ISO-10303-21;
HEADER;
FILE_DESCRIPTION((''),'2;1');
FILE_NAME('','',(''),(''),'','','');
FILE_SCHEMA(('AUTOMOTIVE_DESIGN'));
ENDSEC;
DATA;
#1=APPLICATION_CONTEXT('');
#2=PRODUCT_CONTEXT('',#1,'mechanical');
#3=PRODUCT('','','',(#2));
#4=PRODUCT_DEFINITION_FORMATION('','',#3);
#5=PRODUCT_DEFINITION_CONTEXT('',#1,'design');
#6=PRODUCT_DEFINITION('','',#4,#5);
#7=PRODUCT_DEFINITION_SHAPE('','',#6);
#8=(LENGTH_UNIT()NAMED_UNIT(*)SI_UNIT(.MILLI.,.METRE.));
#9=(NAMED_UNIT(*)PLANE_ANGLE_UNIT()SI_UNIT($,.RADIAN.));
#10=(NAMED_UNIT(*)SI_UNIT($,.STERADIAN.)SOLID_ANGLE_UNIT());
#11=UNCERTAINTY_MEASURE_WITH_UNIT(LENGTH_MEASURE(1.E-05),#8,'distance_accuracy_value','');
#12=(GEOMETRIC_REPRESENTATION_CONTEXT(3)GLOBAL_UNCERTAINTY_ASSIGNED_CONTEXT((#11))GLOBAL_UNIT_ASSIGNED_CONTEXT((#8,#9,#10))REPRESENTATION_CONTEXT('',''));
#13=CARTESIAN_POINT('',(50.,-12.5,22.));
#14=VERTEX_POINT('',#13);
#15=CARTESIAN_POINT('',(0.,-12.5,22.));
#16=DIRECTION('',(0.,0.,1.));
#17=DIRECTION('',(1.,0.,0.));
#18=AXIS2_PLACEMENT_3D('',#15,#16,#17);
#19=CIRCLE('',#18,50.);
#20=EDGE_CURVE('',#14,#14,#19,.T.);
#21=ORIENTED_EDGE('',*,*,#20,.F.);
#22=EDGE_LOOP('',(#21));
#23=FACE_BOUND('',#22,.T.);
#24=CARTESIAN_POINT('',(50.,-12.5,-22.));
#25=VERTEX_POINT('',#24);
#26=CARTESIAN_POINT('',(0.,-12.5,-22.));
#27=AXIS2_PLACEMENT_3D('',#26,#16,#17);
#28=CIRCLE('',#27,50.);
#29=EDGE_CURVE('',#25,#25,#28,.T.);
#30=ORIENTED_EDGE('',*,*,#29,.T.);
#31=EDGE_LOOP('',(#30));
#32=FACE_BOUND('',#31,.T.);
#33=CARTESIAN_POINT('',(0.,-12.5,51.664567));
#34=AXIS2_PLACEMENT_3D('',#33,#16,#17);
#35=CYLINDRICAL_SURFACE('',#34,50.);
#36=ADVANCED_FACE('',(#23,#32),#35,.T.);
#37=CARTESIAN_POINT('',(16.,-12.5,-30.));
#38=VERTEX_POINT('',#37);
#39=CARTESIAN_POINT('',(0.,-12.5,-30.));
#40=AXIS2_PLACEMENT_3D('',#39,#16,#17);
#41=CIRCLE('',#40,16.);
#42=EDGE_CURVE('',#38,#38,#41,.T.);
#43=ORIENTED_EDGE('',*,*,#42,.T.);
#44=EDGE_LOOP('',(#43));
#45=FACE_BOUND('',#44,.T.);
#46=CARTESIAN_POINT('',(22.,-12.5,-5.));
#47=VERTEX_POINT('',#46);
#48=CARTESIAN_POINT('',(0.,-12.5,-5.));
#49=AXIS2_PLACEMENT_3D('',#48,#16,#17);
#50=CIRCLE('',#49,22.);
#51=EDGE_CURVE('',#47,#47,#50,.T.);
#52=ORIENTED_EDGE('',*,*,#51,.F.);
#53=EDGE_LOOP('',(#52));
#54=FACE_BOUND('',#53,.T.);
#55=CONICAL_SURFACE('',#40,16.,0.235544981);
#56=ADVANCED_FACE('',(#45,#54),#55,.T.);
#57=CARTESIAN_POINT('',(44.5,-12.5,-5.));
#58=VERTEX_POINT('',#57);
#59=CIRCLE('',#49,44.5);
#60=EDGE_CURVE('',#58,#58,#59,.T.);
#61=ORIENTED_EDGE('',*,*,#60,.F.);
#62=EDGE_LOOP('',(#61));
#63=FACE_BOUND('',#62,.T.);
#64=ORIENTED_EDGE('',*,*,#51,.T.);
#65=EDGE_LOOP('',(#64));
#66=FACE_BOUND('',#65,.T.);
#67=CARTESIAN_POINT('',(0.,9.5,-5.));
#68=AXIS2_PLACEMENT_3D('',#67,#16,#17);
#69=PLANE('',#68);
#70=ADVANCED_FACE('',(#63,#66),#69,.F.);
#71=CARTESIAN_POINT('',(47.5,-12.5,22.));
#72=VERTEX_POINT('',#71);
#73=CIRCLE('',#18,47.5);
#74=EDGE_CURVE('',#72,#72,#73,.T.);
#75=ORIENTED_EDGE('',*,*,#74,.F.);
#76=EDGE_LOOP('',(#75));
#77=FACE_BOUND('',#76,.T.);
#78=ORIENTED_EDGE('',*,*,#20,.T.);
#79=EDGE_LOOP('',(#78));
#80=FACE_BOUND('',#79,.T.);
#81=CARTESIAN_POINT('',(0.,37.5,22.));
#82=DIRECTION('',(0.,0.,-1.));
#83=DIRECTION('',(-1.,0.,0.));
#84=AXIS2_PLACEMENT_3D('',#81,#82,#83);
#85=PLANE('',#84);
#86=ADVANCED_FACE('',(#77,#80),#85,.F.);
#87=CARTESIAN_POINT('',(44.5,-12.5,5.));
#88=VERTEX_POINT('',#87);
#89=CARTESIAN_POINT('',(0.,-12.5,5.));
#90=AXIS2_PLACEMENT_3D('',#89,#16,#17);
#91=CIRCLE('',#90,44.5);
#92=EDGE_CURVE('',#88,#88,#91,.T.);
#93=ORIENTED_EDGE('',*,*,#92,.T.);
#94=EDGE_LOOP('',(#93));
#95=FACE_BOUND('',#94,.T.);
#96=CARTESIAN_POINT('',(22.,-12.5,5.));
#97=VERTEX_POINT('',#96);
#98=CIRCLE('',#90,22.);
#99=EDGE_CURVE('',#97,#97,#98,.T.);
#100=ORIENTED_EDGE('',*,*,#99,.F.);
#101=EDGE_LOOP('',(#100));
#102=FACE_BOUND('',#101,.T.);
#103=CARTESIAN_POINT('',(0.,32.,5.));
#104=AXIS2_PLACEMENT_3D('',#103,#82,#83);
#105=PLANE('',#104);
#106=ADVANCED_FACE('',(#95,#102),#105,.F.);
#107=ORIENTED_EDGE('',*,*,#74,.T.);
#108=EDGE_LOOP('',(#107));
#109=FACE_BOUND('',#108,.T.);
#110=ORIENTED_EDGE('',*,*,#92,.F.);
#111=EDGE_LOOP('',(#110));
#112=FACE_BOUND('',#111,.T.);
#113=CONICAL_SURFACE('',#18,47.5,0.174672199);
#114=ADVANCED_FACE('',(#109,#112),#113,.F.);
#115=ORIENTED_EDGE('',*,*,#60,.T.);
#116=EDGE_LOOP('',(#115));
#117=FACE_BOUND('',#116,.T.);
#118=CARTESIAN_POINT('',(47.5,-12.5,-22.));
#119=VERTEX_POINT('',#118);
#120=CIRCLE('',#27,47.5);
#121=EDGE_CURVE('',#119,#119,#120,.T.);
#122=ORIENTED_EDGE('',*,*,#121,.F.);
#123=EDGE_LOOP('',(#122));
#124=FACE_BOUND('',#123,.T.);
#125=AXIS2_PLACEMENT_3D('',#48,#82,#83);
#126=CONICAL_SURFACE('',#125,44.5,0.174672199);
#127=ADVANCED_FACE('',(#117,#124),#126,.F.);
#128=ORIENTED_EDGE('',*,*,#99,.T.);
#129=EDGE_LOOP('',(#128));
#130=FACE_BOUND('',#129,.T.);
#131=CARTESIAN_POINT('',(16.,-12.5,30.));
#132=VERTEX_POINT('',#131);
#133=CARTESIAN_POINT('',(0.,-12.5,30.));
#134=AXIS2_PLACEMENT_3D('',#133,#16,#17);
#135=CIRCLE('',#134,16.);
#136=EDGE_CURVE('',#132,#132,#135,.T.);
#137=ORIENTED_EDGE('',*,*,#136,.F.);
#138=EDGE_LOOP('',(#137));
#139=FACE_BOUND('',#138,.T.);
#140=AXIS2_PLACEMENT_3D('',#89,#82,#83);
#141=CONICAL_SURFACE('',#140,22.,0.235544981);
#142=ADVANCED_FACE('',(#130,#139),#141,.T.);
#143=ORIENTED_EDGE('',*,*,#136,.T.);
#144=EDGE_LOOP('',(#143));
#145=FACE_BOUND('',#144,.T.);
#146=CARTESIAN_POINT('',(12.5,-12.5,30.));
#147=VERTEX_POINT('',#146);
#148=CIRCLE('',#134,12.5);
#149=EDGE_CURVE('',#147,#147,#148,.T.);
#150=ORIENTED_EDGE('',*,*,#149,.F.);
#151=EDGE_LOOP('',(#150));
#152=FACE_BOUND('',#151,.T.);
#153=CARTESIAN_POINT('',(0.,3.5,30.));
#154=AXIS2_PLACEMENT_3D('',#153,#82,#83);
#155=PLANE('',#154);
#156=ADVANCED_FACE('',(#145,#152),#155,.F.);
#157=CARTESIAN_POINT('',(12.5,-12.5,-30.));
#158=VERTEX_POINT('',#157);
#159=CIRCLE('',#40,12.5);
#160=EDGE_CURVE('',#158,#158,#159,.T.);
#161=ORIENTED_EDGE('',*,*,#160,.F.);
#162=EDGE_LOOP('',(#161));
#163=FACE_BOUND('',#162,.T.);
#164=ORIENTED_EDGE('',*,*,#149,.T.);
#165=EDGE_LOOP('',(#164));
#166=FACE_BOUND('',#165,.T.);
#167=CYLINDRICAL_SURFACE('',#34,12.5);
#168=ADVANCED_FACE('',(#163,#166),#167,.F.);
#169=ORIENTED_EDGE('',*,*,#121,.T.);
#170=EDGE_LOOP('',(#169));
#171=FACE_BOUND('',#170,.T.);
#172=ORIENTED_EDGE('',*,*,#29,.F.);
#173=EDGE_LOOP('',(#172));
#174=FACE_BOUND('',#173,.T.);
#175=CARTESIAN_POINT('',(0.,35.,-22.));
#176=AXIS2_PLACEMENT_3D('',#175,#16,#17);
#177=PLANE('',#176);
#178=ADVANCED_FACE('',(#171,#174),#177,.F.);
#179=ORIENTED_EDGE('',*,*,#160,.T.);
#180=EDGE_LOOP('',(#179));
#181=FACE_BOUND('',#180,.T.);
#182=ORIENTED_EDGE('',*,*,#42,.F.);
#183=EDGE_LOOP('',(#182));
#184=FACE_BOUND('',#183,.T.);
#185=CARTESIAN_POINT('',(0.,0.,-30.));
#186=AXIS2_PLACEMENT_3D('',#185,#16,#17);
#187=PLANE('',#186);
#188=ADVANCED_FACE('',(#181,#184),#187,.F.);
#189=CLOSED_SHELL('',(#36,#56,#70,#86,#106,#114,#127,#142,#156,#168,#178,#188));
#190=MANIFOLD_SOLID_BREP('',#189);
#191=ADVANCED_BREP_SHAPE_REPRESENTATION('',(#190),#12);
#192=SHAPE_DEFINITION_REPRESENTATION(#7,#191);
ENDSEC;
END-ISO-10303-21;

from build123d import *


with BuildPart() as part:
    # Sketch1 → Revolve1 (revolve)
    with BuildSketch(Plane(origin=(0, 0, 0), x_dir=(0, 0, -1), z_dir=(1, 0, 0)), mode=Mode.PRIVATE) as revolve1_sk:
        Polygon((-30, 0), (30, 0), (30, 3.5), (5, 9.5), (5, 32), (22, 35), (22, 37.5), (-22, 37.5), (-22, 35), (-5, 32), (-5, 9.5), (-30, 3.5), align=None)
    revolve(revolve1_sk.sketch.rotate(Axis((0, -12.5, 51.664567411), (0, 0, -1)), 90), axis=Axis((0, -12.5, 51.664567411), (0, 0, -1)))


solid = part.part
